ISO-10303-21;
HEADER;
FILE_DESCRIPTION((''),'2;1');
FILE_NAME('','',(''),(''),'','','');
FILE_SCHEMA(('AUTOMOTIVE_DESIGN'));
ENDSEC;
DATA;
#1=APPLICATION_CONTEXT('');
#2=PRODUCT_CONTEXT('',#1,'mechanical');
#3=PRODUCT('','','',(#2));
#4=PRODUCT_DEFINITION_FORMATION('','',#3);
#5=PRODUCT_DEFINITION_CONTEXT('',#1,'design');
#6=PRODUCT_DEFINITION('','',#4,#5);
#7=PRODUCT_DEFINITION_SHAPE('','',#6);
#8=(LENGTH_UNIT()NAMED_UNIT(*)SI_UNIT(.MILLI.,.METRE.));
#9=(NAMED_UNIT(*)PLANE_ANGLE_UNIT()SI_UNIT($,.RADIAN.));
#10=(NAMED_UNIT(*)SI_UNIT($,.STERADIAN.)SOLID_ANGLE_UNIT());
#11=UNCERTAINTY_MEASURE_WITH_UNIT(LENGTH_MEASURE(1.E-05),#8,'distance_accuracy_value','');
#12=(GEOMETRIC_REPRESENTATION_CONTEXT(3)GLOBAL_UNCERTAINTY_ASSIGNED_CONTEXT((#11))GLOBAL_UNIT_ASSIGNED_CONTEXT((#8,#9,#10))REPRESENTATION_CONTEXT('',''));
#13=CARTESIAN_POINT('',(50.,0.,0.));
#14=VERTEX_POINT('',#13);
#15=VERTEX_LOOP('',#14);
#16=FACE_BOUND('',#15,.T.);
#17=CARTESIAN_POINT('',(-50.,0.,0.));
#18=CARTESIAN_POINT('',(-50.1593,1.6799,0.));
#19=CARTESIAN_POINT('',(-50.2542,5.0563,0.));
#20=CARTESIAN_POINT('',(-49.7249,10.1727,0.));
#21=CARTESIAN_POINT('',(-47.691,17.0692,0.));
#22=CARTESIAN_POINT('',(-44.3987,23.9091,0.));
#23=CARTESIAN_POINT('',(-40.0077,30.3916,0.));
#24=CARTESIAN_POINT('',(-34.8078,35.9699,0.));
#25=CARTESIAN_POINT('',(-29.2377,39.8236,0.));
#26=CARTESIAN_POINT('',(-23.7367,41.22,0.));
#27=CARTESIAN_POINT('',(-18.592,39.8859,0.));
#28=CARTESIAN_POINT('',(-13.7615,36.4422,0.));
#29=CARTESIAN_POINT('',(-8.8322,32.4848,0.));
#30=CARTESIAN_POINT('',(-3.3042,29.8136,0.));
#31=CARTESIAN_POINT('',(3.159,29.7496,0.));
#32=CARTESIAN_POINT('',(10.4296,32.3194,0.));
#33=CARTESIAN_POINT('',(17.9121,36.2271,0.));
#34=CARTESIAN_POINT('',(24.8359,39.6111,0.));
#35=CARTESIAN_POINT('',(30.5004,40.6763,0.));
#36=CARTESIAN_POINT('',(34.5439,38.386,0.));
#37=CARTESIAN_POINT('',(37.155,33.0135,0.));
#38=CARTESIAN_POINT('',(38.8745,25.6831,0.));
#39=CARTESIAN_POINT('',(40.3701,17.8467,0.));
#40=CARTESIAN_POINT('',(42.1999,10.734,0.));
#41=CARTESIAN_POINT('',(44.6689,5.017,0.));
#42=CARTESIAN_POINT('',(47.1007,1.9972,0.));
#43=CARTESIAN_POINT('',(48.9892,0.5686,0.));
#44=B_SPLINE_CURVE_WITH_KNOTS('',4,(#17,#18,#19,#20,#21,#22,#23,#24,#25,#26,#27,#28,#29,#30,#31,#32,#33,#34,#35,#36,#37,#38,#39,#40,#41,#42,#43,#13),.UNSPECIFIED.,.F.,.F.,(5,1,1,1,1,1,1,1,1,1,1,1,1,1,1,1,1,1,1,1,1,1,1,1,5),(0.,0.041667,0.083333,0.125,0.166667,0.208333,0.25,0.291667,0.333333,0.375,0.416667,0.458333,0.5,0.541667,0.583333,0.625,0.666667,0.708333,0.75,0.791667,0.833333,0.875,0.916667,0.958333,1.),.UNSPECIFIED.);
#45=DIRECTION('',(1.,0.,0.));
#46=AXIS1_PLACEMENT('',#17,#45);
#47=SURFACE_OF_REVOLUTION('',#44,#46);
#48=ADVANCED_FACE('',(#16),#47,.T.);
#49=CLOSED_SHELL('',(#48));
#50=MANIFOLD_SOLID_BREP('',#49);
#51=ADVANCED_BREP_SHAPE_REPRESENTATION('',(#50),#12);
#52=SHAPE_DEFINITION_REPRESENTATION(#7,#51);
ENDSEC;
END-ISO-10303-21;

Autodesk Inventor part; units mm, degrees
ref_plane "YZ Plane" through (0, 0, 0) normal (1, 0, 0) x (0, 1, 0)
ref_plane "XZ Plane" through (0, 0, 0) normal (0, 1, 0) x (-1, 0, 0)
ref_plane "XY Plane" through (0, 0, 0) normal (0, 0, 1) x (1, 0, 0)
sketch "Эскиз1" plane through (0, 0, 0) normal (0, 0, 1) x (1, 0, 0)
  spline S0 degree 4 poles (-50, 0) (-50.1593, 1.6799) (-50.2542, 5.0563) (-49.7249, 10.1727) (-47.691, 17.0692) (-44.3987, 23.9091) (-40.0077, 30.3916) (-34.8078, 35.9699) (-29.2377, 39.8236) (-23.7367, 41.22) (-18.592, 39.8859) (-13.7615, 36.4422) (-8.8322, 32.4848) (-3.3042, 29.8136) (3.159, 29.7496) (10.4296, 32.3194) (17.9121, 36.2271) (24.8359, 39.6111) (30.5004, 40.6763) (34.5439, 38.386) (37.155, 33.0135) (38.8745, 25.6831) (40.3701, 17.8467) (42.1999, 10.734) (44.6689, 5.017) (47.1007, 1.9972) (48.9892, 0.5686) (50, 0) knots 0 0 0 0 0 0.041667 0.083333 0.125 0.166667 0.208333 0.25 0.291667 0.333333 0.375 0.416667 0.458333 0.5 0.541667 0.583333 0.625 0.666667 0.708333 0.75 0.791667 0.833333 0.875 0.916667 0.958333 1 1 1 1 1
  line L0 (-50, 0) -> (50, 0)
  point P0 (-40, 30)
  point P1 (-20, 40)
  point P2 (0, 30)
  point P3 (30, 40)
  point P4 (40, 20)
  dimension "d0" = 0
revolve "Вращение1" add sketch "Эскиз1" angle 360 about axis through (-50, 0, 0) along (1, 0, 0)
properties part number "MoldPart"
